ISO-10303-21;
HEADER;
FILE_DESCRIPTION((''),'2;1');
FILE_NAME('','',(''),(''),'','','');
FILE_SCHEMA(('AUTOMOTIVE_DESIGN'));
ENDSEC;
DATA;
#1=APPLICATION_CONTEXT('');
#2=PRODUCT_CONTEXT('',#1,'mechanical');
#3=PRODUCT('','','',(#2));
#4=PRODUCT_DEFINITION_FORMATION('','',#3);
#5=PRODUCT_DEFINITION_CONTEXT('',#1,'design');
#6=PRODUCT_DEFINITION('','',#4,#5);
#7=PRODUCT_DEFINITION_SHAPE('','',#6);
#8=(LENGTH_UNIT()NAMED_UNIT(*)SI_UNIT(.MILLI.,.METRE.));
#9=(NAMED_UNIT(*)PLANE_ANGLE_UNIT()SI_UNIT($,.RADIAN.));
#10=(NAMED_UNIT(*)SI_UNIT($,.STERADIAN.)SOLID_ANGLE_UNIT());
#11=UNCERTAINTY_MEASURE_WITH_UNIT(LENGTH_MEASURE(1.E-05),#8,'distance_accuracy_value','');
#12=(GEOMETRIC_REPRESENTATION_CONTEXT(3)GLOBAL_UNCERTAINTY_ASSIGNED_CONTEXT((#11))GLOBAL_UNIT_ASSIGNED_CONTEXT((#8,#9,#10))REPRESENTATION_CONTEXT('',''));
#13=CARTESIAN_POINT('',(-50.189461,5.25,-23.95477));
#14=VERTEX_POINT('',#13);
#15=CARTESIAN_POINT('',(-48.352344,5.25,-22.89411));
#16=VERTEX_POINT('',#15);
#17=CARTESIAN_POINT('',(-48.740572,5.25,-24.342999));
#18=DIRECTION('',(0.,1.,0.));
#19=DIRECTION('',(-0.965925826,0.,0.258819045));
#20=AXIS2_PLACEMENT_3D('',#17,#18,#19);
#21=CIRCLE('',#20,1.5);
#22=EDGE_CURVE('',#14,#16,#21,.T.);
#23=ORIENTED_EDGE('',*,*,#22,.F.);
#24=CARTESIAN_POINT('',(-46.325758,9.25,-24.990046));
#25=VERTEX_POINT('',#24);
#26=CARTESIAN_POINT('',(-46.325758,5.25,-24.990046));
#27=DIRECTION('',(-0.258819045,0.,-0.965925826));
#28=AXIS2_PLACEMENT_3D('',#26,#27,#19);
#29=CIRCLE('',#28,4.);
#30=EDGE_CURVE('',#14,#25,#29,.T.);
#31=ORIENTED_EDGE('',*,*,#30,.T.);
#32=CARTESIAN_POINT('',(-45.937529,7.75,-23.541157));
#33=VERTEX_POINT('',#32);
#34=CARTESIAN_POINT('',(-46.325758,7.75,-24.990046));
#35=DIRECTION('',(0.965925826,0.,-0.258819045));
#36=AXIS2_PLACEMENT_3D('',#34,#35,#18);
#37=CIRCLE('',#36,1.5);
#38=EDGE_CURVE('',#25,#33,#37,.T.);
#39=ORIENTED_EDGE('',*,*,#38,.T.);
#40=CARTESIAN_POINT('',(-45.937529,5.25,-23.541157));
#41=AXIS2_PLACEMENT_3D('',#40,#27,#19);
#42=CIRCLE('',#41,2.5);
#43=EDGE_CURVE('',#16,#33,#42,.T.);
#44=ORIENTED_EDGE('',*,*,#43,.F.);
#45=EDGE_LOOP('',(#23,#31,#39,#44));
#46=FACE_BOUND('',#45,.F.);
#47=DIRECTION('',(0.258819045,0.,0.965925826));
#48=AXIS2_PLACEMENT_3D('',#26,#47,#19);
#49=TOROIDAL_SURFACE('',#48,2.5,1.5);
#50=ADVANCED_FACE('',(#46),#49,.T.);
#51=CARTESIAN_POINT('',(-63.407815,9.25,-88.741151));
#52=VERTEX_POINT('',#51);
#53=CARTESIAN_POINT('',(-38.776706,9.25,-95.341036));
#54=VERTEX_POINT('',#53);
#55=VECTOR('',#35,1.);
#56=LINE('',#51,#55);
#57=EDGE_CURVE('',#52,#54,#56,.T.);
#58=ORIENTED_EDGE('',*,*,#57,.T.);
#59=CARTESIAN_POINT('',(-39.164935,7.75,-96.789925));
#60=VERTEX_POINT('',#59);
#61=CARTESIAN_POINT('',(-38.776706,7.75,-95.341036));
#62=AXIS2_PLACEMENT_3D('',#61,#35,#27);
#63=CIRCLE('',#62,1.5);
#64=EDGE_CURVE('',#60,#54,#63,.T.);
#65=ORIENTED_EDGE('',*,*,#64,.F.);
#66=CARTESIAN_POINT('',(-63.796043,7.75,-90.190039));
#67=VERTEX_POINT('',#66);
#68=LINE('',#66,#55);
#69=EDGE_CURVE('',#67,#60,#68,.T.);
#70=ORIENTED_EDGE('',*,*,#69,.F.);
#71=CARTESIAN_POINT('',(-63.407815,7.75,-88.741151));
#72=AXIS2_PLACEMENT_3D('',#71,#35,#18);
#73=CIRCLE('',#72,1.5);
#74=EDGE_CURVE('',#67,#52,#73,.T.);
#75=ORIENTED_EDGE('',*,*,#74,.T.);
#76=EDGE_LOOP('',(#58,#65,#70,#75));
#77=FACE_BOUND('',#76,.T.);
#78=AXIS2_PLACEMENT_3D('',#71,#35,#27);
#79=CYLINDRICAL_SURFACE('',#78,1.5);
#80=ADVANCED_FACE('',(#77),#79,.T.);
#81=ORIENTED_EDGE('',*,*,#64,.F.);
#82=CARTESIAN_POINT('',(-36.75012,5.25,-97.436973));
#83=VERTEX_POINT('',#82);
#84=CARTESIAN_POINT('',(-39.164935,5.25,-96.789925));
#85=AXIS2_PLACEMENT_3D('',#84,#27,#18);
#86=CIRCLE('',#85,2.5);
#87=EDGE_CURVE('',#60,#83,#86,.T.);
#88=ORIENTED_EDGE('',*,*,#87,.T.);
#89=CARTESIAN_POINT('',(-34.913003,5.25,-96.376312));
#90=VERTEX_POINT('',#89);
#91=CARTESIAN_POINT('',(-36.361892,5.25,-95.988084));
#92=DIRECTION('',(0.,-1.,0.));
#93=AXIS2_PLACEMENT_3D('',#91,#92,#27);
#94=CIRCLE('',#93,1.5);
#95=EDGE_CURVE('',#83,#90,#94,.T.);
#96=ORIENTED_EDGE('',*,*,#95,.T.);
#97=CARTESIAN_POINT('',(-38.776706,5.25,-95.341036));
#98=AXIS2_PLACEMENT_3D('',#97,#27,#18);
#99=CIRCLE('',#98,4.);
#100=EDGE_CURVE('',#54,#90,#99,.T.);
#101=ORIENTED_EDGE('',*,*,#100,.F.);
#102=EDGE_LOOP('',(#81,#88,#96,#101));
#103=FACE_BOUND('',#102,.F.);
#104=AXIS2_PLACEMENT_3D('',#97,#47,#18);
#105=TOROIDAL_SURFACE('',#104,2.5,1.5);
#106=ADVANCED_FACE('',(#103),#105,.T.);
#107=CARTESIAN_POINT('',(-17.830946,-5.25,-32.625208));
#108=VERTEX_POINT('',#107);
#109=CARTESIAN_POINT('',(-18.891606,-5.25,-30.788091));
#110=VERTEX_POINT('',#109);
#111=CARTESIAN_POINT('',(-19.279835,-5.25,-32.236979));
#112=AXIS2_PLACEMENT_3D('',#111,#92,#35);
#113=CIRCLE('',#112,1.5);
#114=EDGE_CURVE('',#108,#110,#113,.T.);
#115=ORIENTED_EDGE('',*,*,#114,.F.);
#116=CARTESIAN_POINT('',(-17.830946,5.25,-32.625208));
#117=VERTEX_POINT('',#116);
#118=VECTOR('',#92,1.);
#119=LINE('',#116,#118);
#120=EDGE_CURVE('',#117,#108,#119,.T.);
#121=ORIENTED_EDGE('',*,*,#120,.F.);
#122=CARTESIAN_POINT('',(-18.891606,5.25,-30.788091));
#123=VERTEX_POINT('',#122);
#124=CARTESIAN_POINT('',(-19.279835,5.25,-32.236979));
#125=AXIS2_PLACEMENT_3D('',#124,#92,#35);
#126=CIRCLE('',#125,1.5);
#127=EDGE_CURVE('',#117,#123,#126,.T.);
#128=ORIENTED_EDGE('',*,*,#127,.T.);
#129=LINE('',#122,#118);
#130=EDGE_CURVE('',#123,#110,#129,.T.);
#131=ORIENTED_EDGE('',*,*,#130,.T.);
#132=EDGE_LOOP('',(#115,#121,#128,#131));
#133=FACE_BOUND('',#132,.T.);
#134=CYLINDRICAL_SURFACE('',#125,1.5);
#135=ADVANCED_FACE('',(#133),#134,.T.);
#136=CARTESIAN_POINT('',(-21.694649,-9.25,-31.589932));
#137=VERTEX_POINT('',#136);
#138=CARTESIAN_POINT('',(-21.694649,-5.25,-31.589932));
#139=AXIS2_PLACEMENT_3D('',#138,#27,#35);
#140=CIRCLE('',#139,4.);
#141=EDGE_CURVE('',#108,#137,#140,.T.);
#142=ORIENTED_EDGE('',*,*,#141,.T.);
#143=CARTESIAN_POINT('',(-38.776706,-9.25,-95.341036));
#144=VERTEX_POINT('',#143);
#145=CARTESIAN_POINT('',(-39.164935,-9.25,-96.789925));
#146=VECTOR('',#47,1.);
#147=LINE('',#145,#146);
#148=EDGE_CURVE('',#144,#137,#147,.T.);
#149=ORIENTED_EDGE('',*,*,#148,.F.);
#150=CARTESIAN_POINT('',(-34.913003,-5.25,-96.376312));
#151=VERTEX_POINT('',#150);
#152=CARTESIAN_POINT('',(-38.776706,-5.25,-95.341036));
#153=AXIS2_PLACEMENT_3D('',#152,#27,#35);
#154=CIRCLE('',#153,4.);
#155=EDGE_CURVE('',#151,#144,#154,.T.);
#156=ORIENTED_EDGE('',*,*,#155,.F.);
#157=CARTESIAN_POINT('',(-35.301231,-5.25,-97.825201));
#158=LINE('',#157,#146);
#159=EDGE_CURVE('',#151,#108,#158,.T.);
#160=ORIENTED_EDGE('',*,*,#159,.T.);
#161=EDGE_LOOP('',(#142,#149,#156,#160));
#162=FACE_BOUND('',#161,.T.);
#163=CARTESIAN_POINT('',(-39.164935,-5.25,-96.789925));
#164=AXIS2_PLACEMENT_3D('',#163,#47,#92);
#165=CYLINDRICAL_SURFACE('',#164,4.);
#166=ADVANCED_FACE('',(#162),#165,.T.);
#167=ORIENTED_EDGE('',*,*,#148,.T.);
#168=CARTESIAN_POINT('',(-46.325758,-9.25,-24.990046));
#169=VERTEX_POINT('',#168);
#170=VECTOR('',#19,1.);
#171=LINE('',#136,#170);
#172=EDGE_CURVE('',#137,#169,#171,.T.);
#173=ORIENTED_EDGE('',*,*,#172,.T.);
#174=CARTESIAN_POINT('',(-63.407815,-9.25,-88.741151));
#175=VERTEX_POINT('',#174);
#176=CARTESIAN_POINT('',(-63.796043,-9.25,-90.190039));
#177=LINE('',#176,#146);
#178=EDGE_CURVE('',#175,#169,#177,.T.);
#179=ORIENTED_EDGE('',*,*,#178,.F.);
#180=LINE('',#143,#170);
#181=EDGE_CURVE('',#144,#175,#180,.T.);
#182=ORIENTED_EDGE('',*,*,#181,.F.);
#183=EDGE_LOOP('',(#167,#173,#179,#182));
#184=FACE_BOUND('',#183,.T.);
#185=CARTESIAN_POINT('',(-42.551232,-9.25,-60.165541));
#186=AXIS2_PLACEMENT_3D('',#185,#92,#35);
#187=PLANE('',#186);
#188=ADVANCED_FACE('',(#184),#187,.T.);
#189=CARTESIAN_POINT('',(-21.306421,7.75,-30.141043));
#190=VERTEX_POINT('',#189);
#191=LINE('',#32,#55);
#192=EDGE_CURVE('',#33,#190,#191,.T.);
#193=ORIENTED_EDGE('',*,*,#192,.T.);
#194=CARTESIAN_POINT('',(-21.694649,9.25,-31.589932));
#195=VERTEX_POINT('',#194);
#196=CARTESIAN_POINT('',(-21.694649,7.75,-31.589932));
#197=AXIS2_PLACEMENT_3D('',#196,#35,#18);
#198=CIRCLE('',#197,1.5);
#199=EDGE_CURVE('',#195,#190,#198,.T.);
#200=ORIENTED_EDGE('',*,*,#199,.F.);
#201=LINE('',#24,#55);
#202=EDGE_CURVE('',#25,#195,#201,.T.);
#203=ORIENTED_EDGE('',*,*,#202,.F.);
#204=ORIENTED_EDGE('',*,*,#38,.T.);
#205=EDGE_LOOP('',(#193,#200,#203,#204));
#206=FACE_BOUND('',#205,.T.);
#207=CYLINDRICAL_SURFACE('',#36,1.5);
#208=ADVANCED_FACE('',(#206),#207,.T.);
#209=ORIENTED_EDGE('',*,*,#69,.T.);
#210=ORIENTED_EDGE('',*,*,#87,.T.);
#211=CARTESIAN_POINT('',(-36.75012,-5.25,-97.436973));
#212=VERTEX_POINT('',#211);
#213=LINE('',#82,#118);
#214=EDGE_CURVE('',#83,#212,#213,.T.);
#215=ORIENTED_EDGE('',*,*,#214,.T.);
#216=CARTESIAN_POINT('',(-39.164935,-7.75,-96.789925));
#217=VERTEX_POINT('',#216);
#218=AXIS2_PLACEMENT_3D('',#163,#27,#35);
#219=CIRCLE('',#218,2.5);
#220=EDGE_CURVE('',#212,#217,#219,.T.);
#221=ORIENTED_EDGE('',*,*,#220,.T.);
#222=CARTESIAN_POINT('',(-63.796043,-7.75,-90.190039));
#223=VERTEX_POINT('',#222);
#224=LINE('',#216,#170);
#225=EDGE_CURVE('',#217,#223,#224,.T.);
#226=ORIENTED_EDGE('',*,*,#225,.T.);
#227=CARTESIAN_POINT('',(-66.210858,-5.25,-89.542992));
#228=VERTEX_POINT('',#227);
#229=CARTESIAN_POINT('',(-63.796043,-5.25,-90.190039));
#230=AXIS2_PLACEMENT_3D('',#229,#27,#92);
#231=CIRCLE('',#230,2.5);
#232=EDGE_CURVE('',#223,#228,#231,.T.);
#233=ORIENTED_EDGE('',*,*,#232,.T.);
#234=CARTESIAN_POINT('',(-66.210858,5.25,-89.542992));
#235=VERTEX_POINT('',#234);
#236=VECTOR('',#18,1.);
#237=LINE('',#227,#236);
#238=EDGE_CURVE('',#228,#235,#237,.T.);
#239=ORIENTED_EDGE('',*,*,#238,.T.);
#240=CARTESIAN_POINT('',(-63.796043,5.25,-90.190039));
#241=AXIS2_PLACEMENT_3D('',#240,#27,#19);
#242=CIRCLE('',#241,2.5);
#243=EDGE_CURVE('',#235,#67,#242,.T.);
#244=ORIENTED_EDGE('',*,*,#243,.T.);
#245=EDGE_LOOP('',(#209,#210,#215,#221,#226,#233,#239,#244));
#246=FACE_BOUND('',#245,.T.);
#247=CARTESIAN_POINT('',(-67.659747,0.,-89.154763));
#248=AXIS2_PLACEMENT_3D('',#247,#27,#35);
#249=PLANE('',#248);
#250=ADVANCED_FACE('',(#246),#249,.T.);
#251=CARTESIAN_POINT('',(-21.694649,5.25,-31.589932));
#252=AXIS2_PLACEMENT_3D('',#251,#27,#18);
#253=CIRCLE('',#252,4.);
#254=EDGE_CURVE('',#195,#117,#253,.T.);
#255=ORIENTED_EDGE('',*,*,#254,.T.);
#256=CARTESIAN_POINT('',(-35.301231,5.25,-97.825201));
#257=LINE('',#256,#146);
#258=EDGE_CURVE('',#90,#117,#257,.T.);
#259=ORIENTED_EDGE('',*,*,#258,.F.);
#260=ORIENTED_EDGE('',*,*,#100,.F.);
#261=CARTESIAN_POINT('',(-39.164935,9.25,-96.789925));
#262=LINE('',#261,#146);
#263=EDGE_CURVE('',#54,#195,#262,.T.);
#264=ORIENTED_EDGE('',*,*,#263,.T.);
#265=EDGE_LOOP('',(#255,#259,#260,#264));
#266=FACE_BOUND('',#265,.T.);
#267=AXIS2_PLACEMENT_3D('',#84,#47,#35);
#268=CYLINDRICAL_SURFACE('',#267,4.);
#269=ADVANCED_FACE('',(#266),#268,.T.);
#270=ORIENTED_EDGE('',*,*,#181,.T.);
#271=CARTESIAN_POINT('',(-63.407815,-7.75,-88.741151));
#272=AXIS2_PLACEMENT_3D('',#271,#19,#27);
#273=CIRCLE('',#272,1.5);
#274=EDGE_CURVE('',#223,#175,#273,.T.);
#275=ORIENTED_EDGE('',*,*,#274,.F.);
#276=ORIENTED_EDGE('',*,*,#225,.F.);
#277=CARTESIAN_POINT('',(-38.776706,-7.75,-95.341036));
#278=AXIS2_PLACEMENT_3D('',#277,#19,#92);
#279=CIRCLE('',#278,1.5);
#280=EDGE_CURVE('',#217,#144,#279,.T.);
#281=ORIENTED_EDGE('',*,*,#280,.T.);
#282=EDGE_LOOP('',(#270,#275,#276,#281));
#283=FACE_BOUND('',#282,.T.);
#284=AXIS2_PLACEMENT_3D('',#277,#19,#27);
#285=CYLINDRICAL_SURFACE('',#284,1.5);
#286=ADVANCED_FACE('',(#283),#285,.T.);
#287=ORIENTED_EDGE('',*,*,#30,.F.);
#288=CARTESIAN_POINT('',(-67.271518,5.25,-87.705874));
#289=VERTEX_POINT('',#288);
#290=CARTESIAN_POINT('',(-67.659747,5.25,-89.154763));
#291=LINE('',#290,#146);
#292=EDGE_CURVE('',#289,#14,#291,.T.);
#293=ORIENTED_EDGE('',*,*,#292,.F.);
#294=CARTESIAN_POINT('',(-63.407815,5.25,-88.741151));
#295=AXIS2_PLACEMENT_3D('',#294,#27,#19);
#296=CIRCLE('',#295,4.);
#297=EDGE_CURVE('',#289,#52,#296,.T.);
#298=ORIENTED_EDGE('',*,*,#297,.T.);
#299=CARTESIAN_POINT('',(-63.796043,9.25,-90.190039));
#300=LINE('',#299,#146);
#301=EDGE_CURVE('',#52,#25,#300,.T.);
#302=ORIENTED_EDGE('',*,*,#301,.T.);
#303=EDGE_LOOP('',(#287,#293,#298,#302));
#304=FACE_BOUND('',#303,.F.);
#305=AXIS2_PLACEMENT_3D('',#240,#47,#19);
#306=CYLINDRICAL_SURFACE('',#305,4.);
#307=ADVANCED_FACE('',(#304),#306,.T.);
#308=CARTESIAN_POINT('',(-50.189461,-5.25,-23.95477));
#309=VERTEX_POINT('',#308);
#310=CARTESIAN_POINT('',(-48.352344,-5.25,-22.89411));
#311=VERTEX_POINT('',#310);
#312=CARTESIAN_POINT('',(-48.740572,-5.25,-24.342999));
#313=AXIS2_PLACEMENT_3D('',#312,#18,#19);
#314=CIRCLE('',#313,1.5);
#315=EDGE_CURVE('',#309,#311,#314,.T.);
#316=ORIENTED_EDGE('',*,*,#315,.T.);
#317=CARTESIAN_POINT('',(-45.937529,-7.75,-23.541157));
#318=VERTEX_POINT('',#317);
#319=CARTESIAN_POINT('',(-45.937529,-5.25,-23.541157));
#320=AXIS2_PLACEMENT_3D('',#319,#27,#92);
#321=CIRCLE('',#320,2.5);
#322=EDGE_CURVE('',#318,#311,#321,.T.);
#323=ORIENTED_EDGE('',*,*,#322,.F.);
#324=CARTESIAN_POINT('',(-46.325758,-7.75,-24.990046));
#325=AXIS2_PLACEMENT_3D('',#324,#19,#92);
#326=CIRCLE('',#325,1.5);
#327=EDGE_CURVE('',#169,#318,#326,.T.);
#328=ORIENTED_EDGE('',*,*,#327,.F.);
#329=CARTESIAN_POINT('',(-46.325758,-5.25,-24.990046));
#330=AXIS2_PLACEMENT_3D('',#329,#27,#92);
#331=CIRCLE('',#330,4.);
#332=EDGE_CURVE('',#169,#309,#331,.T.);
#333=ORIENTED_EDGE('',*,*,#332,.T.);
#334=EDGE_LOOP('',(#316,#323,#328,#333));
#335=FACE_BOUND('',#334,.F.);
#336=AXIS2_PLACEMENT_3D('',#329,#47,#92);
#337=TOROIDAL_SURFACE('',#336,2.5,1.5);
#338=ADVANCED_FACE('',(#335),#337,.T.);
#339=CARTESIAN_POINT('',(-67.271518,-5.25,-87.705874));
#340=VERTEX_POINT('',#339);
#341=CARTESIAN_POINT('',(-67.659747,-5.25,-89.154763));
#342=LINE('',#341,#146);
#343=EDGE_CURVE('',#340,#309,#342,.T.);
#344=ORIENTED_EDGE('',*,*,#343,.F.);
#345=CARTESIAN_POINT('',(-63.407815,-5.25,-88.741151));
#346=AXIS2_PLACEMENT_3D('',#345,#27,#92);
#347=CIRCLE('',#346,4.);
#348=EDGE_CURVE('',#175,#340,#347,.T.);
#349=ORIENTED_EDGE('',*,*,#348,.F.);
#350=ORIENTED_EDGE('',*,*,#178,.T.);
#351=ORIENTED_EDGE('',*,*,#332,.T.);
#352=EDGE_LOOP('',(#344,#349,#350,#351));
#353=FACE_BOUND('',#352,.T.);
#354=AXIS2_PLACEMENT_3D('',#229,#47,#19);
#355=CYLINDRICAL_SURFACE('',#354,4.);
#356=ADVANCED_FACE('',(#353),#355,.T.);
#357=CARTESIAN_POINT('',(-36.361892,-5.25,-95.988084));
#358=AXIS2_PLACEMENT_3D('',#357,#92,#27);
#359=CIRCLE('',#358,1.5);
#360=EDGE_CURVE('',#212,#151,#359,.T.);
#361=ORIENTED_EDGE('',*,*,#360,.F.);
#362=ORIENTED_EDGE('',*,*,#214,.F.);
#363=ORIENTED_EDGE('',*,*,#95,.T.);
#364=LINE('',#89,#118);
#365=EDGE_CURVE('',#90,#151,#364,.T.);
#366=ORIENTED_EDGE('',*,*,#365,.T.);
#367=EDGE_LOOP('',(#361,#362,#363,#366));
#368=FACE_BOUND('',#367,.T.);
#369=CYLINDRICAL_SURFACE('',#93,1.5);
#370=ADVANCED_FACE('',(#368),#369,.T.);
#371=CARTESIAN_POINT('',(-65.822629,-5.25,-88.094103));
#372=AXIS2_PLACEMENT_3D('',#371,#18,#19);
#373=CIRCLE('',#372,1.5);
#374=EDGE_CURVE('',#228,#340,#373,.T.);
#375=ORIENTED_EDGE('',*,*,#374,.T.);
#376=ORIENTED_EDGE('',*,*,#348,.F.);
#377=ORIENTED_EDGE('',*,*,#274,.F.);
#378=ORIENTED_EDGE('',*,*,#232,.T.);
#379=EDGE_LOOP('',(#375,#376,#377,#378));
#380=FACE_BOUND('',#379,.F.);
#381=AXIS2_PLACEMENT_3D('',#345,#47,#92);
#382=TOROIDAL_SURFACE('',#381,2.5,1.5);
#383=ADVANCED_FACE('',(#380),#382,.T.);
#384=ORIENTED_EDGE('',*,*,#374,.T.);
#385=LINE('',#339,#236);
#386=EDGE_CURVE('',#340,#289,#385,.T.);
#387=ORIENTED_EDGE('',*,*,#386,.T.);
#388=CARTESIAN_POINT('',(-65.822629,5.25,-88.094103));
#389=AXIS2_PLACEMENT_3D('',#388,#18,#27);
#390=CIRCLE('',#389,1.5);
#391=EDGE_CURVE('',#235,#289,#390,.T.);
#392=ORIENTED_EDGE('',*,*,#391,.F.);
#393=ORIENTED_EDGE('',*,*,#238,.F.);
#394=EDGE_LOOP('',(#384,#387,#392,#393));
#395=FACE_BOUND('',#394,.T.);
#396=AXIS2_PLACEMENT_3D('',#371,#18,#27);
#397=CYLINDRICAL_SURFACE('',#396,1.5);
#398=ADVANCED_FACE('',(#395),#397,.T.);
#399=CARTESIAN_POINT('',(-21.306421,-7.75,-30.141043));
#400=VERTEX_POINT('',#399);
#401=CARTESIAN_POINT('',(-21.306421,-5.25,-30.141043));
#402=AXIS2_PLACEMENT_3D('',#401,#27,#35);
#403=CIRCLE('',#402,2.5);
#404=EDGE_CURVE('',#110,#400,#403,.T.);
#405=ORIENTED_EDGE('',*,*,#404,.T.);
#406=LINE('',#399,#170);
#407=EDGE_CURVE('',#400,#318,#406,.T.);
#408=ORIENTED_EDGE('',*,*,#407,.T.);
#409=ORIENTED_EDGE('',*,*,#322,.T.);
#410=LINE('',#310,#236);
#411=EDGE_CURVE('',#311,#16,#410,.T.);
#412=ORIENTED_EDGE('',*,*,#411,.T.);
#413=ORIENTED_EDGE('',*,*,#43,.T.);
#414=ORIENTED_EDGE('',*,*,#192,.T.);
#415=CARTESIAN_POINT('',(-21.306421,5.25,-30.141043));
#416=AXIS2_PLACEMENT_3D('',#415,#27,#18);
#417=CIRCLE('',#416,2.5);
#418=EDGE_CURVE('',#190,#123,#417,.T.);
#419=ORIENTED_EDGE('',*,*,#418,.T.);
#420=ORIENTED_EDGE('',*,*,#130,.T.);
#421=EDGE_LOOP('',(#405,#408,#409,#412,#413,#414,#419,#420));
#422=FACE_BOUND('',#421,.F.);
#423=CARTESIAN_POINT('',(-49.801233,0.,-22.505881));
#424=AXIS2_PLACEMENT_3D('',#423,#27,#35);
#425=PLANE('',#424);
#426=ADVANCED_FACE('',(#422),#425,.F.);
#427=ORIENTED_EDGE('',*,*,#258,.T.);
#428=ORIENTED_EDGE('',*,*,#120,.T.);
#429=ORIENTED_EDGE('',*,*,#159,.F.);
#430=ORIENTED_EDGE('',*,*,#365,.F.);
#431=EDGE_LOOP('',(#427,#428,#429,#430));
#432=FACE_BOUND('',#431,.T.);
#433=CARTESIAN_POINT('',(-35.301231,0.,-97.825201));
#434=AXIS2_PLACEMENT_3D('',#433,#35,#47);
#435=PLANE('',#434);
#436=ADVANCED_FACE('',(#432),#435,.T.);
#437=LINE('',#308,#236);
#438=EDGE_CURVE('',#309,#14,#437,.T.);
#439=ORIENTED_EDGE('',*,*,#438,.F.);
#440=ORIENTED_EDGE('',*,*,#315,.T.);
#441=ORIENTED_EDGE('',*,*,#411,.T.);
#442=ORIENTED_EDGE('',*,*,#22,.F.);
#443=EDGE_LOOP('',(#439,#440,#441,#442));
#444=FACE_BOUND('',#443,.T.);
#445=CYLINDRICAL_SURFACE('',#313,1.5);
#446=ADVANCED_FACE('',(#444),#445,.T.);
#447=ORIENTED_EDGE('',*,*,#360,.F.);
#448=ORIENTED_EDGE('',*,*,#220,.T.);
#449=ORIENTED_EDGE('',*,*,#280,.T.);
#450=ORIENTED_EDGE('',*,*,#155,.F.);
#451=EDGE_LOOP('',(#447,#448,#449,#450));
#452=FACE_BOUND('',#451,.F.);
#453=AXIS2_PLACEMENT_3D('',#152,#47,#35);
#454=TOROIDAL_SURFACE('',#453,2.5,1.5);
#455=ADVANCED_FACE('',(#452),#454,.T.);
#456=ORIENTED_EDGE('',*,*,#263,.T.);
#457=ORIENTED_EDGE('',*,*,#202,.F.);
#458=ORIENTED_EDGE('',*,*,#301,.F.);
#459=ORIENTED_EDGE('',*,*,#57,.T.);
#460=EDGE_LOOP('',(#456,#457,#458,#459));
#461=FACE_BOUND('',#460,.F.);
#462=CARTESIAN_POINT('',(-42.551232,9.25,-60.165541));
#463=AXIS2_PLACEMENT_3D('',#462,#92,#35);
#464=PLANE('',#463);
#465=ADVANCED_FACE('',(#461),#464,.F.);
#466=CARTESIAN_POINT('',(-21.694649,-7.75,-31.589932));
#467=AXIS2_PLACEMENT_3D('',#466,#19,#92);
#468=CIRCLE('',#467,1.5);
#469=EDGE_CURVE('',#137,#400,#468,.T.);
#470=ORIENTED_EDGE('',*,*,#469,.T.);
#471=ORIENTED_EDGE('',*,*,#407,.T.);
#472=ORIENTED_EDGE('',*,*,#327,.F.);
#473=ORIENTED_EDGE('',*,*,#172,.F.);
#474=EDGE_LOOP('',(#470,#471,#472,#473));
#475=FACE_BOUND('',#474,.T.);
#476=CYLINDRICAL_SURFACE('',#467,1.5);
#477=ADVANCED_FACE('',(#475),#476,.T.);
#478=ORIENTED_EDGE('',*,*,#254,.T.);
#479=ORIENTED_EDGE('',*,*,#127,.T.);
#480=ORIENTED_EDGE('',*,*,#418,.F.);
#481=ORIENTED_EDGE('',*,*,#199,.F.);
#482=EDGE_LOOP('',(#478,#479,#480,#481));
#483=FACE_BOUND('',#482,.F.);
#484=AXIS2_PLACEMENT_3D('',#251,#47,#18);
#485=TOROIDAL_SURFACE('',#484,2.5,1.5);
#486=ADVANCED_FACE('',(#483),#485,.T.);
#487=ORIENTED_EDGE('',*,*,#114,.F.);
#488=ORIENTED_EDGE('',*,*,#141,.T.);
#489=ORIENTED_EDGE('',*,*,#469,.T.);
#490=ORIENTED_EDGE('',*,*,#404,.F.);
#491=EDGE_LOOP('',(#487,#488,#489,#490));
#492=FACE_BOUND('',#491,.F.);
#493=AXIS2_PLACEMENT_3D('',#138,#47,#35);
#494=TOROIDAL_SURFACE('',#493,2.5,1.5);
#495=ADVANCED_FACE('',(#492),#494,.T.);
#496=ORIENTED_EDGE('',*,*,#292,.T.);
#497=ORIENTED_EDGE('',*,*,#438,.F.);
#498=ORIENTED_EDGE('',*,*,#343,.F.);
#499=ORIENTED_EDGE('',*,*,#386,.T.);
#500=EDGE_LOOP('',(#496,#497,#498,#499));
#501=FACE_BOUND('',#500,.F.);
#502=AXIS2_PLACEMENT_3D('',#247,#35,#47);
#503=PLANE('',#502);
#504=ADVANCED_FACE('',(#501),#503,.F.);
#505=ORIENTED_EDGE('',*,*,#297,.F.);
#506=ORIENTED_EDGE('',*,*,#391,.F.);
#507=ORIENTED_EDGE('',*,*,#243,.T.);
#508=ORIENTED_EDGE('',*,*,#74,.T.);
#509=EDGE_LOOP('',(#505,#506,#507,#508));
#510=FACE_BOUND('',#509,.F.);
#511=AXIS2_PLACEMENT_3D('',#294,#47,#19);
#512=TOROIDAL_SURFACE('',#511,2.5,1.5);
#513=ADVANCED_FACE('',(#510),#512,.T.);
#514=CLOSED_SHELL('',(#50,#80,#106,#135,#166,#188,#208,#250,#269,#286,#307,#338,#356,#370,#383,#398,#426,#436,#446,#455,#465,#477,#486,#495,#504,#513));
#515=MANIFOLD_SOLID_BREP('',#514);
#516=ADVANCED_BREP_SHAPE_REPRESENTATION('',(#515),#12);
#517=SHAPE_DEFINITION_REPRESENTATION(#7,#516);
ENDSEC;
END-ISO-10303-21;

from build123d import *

# Parameters (mm, degrees)
SKETCH_W             = 33.5
SKETCH_H             = 69
PAD_DEPTH            = 9.25
FILLET_R             = 4
FILLET001_R          = 1.5
BODY_PLACEMENT_ANGLE = 15


with BuildPart() as part:
    # Sketch → Pad (new body, symmetric)
    with BuildSketch(Plane.XZ):
        Rectangle(SKETCH_W, SKETCH_H)
    extrude(amount=PAD_DEPTH, both=True)

    # Fillet
    fillet_edges = [part.edges().sort_by_distance(p)[0] for p in [
        (-16.75, -9.25, 0),
        (-16.75, 9.25, 0),
        (16.75, -9.25, 0),
        (16.75, 9.25, 0),
    ]]
    fillet(fillet_edges, radius=FILLET_R)

    # Fillet001
    fillet001_edges = [part.edges().sort_by_distance(p)[0] for p in [
        (-16.75, 0, 34.5),
        (-15.578427, 8.078427, 34.5),
        (-15.578427, -8.078427, 34.5),
        (0, 9.25, 34.5),
        (0, -9.25, 34.5),
        (15.578427, 8.078427, 34.5),
        (15.578427, -8.078427, 34.5),
        (16.75, 0, 34.5),
        (16.75, 0, -34.5),
        (15.578427, 8.078427, -34.5),
        (15.578427, -8.078427, -34.5),
        (0, 9.25, -34.5),
        (0, -9.25, -34.5),
        (-15.578427, 8.078427, -34.5),
        (-15.578427, -8.078427, -34.5),
        (-16.75, 0, -34.5),
    ]]
    fillet(fillet001_edges, radius=FILLET001_R)


with BuildPart() as part_1:
    # Body placement: moved
    add(part.part.moved(Location((-42.5512320173, 0, -60.1655412245))).rotate(Axis((-42.5512320173, 0, -60.1655412245), (0, 1, 0)), BODY_PLACEMENT_ANGLE))


solid = part_1.part
